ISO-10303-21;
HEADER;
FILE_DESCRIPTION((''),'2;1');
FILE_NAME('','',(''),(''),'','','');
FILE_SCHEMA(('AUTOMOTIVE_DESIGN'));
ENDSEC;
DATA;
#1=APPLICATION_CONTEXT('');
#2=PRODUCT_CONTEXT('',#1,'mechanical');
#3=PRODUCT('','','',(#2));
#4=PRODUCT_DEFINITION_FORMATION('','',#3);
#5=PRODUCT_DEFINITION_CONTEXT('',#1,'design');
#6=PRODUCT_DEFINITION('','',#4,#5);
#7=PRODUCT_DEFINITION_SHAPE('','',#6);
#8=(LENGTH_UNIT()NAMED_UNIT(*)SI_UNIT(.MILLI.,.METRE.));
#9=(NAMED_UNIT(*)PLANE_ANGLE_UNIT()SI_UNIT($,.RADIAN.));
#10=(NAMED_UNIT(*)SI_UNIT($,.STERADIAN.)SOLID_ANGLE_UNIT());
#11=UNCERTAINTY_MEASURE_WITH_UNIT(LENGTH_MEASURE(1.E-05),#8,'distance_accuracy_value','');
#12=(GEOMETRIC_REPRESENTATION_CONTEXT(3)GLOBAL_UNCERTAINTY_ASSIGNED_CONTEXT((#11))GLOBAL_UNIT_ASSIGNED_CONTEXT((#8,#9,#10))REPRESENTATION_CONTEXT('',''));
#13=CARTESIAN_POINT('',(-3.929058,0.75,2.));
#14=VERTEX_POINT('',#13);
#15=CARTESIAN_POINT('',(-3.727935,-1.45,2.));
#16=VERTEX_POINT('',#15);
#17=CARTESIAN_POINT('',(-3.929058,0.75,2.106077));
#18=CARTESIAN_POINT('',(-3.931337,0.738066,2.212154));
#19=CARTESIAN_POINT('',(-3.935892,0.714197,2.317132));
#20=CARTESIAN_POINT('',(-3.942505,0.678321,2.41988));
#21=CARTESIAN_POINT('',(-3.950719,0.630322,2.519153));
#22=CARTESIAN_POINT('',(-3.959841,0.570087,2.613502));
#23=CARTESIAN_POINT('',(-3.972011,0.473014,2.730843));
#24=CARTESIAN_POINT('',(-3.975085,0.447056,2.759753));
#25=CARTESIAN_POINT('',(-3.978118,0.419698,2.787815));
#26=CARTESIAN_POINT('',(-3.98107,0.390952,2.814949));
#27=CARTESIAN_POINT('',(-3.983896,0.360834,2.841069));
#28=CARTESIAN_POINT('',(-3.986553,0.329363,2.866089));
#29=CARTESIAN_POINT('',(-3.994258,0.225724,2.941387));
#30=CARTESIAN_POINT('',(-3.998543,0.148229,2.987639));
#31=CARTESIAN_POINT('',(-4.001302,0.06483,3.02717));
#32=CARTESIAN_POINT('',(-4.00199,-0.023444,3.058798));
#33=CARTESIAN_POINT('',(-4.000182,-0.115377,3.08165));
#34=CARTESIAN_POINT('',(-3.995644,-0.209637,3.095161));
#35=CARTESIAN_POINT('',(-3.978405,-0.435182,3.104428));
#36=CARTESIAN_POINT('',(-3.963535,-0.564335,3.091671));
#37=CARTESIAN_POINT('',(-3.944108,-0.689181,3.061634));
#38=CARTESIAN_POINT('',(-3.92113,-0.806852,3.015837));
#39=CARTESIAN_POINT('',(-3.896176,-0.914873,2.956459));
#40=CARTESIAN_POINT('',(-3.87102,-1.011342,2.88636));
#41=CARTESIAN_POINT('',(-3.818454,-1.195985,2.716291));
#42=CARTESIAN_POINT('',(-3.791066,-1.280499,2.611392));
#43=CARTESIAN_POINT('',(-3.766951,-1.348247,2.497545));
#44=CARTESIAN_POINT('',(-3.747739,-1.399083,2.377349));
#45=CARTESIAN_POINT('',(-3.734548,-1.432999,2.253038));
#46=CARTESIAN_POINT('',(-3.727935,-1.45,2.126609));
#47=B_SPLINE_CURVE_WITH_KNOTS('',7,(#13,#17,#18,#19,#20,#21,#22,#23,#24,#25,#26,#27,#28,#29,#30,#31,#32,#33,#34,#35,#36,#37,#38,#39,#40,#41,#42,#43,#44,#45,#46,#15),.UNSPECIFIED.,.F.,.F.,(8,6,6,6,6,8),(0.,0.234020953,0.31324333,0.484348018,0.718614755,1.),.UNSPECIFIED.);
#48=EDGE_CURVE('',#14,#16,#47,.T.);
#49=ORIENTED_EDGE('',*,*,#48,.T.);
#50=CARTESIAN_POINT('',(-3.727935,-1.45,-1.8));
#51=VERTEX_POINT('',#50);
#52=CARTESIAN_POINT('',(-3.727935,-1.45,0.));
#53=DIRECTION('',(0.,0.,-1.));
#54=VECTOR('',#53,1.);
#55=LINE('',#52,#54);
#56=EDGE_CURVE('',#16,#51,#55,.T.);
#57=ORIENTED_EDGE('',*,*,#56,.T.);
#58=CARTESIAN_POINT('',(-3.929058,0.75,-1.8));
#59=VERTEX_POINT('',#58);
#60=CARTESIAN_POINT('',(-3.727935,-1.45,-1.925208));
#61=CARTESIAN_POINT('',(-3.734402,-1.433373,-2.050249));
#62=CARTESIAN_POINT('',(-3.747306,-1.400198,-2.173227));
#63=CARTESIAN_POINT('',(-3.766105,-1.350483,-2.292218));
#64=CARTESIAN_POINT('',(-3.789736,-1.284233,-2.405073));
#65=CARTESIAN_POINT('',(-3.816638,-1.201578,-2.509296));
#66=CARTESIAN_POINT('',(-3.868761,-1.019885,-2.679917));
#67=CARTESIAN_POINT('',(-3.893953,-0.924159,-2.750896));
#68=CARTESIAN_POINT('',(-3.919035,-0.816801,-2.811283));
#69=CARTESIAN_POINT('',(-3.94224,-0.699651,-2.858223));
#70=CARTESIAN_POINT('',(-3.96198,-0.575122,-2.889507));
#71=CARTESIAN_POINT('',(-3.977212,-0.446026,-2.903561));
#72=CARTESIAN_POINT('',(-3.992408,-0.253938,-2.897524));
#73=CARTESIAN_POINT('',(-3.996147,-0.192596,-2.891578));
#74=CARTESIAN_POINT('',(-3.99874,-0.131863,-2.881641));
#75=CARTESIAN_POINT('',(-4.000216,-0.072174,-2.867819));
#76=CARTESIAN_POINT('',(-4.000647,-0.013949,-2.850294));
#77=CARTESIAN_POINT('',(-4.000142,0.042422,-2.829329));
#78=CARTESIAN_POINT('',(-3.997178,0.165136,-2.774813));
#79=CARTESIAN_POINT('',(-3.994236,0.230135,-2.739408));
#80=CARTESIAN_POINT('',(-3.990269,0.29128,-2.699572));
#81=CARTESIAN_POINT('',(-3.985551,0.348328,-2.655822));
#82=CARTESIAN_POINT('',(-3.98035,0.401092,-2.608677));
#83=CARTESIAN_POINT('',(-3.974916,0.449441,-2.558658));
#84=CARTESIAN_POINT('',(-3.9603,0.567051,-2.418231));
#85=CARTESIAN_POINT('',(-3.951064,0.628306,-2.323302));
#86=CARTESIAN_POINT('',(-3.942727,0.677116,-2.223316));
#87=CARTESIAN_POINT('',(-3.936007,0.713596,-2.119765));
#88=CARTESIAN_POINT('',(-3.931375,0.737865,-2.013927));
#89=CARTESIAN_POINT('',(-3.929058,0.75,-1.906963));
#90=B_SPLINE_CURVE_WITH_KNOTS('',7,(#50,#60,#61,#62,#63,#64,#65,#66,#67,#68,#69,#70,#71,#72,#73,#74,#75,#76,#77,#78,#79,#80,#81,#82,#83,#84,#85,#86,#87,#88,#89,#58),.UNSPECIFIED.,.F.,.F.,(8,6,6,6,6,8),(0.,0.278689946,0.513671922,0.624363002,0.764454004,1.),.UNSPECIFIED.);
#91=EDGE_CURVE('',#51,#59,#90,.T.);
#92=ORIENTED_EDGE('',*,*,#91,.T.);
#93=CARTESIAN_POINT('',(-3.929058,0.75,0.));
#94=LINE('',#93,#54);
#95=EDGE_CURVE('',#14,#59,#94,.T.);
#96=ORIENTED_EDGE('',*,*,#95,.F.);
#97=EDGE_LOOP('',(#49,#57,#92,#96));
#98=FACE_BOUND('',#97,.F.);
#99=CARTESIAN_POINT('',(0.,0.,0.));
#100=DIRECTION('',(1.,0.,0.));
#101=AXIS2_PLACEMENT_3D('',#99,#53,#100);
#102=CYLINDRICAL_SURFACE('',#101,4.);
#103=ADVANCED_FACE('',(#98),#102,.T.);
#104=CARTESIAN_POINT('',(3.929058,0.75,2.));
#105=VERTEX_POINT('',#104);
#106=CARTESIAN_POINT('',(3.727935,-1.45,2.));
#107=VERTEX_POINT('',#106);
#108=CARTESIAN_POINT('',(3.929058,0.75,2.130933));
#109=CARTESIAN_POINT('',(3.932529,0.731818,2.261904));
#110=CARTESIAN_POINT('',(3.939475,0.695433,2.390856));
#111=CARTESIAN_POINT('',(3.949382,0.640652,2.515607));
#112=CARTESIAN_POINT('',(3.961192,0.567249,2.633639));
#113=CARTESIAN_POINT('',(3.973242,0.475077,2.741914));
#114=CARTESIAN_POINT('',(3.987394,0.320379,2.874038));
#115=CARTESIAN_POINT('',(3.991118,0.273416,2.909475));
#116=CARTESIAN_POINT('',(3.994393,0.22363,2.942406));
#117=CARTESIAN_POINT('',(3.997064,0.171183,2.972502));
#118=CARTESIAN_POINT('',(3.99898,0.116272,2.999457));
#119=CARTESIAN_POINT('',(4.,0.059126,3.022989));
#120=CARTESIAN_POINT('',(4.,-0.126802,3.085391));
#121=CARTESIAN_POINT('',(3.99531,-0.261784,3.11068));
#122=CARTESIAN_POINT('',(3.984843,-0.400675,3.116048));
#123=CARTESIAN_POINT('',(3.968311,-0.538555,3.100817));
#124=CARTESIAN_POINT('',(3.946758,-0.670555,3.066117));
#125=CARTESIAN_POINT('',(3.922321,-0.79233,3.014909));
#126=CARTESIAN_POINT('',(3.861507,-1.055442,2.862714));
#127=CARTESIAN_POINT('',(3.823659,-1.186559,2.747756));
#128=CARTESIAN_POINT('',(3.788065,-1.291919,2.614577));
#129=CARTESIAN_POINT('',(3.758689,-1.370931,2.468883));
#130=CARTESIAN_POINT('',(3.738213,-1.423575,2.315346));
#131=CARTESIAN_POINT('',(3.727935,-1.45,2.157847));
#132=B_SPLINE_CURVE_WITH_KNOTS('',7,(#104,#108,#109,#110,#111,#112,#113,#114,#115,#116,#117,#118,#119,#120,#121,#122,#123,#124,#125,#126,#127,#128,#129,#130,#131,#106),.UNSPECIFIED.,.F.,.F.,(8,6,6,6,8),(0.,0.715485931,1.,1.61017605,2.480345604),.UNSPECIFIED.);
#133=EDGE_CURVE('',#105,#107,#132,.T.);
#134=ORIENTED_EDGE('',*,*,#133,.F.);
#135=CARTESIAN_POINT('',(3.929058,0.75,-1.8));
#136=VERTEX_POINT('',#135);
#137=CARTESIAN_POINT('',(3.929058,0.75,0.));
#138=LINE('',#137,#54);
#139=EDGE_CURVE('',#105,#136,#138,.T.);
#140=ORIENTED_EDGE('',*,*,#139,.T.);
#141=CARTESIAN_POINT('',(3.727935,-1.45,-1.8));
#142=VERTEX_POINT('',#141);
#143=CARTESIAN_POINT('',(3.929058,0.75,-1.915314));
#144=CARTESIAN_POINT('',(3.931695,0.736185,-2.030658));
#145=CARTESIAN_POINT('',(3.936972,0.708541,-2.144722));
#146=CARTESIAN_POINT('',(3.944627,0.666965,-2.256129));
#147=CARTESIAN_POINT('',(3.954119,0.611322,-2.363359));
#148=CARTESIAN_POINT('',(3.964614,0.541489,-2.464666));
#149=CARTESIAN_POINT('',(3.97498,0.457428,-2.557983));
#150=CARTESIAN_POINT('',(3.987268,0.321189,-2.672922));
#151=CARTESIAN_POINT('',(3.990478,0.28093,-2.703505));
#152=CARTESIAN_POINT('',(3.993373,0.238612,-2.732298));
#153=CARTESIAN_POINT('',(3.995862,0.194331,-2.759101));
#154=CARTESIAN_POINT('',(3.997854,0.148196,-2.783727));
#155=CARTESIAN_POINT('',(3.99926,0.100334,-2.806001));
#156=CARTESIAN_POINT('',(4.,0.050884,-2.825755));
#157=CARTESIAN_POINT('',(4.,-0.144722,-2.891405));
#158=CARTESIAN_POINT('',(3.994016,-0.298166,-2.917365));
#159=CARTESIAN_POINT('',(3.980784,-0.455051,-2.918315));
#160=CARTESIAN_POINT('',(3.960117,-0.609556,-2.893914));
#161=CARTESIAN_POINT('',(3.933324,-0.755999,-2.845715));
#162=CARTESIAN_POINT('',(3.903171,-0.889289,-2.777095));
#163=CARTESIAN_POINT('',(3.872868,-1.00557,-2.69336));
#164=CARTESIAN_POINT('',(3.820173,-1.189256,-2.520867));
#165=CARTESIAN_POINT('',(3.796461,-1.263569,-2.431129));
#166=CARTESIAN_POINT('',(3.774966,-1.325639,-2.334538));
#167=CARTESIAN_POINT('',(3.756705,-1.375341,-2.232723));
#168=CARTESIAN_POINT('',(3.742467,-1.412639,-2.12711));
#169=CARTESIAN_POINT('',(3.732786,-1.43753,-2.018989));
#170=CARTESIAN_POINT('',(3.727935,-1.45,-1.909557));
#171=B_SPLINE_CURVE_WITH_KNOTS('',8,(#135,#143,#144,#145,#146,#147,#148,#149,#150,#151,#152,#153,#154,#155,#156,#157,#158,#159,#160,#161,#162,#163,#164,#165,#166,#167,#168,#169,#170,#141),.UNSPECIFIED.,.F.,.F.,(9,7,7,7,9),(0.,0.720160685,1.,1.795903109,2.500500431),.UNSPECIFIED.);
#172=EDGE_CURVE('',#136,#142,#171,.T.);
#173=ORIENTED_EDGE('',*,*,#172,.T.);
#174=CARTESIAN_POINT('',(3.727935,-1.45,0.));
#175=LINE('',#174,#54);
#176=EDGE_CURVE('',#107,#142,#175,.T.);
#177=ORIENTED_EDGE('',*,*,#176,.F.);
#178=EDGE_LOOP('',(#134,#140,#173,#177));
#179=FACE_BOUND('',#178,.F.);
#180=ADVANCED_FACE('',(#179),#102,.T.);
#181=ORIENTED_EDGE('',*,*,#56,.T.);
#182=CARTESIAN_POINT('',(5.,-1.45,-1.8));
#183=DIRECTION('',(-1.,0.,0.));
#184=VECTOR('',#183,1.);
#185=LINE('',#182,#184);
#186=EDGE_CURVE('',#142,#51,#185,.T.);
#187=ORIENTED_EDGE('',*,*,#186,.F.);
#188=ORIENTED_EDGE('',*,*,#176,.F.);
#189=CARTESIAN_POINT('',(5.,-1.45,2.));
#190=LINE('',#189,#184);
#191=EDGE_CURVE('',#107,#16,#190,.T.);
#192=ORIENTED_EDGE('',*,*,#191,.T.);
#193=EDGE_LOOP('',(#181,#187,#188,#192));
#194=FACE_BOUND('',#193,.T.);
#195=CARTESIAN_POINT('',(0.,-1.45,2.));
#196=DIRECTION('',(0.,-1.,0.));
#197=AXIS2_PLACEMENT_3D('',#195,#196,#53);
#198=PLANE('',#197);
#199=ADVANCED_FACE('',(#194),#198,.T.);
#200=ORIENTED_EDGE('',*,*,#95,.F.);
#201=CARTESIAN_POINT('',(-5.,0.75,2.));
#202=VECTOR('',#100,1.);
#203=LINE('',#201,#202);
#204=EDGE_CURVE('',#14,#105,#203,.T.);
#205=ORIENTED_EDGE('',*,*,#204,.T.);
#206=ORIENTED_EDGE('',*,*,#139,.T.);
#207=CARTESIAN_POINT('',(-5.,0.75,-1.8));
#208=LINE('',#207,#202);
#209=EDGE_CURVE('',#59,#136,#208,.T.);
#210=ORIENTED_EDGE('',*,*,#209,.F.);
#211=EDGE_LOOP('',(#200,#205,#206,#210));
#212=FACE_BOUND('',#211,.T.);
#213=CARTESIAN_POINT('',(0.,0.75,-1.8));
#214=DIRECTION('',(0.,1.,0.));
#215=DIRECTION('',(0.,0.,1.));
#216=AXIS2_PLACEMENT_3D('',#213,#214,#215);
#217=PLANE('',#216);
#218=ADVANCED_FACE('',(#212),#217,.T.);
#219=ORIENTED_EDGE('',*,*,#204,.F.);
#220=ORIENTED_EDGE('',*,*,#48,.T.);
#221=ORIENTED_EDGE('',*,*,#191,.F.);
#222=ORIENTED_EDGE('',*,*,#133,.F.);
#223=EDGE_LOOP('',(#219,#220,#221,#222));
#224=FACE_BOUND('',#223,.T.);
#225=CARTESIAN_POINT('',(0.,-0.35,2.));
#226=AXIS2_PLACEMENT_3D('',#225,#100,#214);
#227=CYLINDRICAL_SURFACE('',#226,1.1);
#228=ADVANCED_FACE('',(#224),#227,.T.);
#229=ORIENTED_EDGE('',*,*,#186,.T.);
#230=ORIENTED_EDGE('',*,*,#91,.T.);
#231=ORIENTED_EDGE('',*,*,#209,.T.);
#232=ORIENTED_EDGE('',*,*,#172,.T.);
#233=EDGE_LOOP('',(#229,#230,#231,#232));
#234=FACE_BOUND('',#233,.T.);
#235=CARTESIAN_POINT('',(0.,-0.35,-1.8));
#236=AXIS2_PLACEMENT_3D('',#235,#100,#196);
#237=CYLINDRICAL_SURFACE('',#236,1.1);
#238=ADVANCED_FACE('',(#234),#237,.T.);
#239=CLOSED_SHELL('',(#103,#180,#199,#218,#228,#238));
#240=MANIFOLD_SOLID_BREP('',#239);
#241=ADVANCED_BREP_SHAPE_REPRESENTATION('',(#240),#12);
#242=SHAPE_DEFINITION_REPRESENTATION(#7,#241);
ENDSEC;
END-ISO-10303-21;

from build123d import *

# Parameters (mm, degrees)
F1_DEPTH = 5
F2_W     = 20
F2_H     = 20
F2_R     = 4
F3_DEPTH = 12.5


with BuildPart() as f1:
    # F0 (on Right) → F1 (new body, symmetric)
    with BuildSketch(Plane.YZ):
        with BuildLine():
            ThreePointArc((-1.45, -1.8), (-0.35, -2.9), (0.75, -1.8))
            Line((0.75, -1.8), (0.75, 2))
            ThreePointArc((0.75, 2), (-0.35, 3.1), (-1.45, 2))
            Line((-1.45, 2), (-1.45, -1.8))
        make_face()
    extrude(amount=F1_DEPTH, both=True)

    # F2 (on Top) → F3 (cut, symmetric)
    with BuildSketch(Plane.XY):
        Rectangle(F2_W, F2_H)
        Circle(F2_R, mode=Mode.SUBTRACT)
    extrude(amount=F3_DEPTH, both=True, mode=Mode.SUBTRACT)


solid = f1.part
